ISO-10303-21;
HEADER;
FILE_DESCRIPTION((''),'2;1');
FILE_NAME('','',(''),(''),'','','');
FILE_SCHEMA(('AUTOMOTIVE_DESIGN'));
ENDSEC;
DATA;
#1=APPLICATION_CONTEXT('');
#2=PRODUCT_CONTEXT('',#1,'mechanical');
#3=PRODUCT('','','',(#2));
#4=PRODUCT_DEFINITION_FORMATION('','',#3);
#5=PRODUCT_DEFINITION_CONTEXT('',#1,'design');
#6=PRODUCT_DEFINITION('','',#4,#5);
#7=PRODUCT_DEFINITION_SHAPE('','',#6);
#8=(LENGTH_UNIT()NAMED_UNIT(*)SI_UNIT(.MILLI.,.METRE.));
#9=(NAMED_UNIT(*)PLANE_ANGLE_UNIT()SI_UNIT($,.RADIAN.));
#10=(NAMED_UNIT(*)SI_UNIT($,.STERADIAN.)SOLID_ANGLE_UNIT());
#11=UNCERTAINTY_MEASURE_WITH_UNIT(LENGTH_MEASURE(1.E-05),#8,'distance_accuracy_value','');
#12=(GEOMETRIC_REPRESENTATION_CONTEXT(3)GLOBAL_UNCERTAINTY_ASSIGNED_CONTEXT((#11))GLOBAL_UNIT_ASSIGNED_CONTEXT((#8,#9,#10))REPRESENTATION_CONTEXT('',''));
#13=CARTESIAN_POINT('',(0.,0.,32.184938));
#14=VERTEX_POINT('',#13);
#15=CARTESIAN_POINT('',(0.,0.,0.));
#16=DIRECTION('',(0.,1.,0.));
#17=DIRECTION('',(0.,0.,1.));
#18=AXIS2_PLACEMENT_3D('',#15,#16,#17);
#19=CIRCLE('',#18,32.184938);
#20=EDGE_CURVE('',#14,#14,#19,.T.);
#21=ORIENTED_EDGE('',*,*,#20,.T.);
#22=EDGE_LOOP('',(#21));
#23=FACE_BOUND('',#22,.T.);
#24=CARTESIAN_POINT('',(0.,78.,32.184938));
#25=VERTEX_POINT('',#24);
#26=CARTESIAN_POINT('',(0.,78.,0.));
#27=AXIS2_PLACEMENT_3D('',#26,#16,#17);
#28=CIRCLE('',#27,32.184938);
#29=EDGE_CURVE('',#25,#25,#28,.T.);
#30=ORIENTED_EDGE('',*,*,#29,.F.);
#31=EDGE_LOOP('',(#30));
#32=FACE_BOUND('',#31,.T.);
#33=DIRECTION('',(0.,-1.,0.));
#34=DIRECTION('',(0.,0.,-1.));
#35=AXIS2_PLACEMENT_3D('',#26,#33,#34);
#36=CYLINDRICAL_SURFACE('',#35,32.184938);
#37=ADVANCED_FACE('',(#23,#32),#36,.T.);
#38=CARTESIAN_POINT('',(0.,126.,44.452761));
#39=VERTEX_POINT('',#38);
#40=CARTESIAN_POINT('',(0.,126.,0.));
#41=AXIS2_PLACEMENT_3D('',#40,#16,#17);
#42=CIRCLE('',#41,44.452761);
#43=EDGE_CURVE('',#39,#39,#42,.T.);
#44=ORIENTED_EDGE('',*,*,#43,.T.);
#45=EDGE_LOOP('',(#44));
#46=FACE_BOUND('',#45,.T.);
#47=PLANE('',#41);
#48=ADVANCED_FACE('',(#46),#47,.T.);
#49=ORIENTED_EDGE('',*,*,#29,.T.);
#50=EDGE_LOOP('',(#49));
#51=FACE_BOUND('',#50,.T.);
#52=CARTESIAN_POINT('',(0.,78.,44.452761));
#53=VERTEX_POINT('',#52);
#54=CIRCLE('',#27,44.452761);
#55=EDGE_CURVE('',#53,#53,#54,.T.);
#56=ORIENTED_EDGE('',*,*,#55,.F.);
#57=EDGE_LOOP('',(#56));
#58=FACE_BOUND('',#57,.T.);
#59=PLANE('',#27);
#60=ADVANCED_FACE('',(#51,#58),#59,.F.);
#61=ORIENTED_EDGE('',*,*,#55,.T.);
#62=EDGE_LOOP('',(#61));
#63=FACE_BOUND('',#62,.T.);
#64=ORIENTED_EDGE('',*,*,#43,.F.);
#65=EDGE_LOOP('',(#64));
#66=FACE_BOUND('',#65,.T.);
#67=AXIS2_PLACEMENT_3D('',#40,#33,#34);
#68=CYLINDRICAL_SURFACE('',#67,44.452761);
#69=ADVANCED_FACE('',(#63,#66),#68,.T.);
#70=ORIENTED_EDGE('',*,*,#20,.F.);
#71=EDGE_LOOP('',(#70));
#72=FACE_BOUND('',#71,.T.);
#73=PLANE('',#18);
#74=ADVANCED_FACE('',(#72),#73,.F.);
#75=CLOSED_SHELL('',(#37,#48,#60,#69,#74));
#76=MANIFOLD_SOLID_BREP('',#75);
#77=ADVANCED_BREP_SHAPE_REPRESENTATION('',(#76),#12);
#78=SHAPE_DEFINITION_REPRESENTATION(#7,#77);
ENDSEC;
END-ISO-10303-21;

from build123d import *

# Parameters (mm, degrees)
SKETCH2_R           = 32.184938318
BOSS_EXTRUDE1_DEPTH = 78
SKETCH3_R           = 44.452761075
BOSS_EXTRUDE2_DEPTH = 48


with BuildPart() as part:
    # Sketch2 → Boss-Extrude1 (new body)
    with BuildSketch(Plane(origin=(0, 0, 0), x_dir=(1, 0, 0), z_dir=(0, 1, 0))):
        Circle(SKETCH2_R)
    extrude(amount=BOSS_EXTRUDE1_DEPTH)

    # Sketch3 → Boss-Extrude2 (add)
    with BuildSketch(Plane(origin=(0, 78, 0), x_dir=(1, 0, 0), z_dir=(0, 1, 0))):
        Circle(SKETCH3_R)
    extrude(amount=BOSS_EXTRUDE2_DEPTH)


solid = part.part
